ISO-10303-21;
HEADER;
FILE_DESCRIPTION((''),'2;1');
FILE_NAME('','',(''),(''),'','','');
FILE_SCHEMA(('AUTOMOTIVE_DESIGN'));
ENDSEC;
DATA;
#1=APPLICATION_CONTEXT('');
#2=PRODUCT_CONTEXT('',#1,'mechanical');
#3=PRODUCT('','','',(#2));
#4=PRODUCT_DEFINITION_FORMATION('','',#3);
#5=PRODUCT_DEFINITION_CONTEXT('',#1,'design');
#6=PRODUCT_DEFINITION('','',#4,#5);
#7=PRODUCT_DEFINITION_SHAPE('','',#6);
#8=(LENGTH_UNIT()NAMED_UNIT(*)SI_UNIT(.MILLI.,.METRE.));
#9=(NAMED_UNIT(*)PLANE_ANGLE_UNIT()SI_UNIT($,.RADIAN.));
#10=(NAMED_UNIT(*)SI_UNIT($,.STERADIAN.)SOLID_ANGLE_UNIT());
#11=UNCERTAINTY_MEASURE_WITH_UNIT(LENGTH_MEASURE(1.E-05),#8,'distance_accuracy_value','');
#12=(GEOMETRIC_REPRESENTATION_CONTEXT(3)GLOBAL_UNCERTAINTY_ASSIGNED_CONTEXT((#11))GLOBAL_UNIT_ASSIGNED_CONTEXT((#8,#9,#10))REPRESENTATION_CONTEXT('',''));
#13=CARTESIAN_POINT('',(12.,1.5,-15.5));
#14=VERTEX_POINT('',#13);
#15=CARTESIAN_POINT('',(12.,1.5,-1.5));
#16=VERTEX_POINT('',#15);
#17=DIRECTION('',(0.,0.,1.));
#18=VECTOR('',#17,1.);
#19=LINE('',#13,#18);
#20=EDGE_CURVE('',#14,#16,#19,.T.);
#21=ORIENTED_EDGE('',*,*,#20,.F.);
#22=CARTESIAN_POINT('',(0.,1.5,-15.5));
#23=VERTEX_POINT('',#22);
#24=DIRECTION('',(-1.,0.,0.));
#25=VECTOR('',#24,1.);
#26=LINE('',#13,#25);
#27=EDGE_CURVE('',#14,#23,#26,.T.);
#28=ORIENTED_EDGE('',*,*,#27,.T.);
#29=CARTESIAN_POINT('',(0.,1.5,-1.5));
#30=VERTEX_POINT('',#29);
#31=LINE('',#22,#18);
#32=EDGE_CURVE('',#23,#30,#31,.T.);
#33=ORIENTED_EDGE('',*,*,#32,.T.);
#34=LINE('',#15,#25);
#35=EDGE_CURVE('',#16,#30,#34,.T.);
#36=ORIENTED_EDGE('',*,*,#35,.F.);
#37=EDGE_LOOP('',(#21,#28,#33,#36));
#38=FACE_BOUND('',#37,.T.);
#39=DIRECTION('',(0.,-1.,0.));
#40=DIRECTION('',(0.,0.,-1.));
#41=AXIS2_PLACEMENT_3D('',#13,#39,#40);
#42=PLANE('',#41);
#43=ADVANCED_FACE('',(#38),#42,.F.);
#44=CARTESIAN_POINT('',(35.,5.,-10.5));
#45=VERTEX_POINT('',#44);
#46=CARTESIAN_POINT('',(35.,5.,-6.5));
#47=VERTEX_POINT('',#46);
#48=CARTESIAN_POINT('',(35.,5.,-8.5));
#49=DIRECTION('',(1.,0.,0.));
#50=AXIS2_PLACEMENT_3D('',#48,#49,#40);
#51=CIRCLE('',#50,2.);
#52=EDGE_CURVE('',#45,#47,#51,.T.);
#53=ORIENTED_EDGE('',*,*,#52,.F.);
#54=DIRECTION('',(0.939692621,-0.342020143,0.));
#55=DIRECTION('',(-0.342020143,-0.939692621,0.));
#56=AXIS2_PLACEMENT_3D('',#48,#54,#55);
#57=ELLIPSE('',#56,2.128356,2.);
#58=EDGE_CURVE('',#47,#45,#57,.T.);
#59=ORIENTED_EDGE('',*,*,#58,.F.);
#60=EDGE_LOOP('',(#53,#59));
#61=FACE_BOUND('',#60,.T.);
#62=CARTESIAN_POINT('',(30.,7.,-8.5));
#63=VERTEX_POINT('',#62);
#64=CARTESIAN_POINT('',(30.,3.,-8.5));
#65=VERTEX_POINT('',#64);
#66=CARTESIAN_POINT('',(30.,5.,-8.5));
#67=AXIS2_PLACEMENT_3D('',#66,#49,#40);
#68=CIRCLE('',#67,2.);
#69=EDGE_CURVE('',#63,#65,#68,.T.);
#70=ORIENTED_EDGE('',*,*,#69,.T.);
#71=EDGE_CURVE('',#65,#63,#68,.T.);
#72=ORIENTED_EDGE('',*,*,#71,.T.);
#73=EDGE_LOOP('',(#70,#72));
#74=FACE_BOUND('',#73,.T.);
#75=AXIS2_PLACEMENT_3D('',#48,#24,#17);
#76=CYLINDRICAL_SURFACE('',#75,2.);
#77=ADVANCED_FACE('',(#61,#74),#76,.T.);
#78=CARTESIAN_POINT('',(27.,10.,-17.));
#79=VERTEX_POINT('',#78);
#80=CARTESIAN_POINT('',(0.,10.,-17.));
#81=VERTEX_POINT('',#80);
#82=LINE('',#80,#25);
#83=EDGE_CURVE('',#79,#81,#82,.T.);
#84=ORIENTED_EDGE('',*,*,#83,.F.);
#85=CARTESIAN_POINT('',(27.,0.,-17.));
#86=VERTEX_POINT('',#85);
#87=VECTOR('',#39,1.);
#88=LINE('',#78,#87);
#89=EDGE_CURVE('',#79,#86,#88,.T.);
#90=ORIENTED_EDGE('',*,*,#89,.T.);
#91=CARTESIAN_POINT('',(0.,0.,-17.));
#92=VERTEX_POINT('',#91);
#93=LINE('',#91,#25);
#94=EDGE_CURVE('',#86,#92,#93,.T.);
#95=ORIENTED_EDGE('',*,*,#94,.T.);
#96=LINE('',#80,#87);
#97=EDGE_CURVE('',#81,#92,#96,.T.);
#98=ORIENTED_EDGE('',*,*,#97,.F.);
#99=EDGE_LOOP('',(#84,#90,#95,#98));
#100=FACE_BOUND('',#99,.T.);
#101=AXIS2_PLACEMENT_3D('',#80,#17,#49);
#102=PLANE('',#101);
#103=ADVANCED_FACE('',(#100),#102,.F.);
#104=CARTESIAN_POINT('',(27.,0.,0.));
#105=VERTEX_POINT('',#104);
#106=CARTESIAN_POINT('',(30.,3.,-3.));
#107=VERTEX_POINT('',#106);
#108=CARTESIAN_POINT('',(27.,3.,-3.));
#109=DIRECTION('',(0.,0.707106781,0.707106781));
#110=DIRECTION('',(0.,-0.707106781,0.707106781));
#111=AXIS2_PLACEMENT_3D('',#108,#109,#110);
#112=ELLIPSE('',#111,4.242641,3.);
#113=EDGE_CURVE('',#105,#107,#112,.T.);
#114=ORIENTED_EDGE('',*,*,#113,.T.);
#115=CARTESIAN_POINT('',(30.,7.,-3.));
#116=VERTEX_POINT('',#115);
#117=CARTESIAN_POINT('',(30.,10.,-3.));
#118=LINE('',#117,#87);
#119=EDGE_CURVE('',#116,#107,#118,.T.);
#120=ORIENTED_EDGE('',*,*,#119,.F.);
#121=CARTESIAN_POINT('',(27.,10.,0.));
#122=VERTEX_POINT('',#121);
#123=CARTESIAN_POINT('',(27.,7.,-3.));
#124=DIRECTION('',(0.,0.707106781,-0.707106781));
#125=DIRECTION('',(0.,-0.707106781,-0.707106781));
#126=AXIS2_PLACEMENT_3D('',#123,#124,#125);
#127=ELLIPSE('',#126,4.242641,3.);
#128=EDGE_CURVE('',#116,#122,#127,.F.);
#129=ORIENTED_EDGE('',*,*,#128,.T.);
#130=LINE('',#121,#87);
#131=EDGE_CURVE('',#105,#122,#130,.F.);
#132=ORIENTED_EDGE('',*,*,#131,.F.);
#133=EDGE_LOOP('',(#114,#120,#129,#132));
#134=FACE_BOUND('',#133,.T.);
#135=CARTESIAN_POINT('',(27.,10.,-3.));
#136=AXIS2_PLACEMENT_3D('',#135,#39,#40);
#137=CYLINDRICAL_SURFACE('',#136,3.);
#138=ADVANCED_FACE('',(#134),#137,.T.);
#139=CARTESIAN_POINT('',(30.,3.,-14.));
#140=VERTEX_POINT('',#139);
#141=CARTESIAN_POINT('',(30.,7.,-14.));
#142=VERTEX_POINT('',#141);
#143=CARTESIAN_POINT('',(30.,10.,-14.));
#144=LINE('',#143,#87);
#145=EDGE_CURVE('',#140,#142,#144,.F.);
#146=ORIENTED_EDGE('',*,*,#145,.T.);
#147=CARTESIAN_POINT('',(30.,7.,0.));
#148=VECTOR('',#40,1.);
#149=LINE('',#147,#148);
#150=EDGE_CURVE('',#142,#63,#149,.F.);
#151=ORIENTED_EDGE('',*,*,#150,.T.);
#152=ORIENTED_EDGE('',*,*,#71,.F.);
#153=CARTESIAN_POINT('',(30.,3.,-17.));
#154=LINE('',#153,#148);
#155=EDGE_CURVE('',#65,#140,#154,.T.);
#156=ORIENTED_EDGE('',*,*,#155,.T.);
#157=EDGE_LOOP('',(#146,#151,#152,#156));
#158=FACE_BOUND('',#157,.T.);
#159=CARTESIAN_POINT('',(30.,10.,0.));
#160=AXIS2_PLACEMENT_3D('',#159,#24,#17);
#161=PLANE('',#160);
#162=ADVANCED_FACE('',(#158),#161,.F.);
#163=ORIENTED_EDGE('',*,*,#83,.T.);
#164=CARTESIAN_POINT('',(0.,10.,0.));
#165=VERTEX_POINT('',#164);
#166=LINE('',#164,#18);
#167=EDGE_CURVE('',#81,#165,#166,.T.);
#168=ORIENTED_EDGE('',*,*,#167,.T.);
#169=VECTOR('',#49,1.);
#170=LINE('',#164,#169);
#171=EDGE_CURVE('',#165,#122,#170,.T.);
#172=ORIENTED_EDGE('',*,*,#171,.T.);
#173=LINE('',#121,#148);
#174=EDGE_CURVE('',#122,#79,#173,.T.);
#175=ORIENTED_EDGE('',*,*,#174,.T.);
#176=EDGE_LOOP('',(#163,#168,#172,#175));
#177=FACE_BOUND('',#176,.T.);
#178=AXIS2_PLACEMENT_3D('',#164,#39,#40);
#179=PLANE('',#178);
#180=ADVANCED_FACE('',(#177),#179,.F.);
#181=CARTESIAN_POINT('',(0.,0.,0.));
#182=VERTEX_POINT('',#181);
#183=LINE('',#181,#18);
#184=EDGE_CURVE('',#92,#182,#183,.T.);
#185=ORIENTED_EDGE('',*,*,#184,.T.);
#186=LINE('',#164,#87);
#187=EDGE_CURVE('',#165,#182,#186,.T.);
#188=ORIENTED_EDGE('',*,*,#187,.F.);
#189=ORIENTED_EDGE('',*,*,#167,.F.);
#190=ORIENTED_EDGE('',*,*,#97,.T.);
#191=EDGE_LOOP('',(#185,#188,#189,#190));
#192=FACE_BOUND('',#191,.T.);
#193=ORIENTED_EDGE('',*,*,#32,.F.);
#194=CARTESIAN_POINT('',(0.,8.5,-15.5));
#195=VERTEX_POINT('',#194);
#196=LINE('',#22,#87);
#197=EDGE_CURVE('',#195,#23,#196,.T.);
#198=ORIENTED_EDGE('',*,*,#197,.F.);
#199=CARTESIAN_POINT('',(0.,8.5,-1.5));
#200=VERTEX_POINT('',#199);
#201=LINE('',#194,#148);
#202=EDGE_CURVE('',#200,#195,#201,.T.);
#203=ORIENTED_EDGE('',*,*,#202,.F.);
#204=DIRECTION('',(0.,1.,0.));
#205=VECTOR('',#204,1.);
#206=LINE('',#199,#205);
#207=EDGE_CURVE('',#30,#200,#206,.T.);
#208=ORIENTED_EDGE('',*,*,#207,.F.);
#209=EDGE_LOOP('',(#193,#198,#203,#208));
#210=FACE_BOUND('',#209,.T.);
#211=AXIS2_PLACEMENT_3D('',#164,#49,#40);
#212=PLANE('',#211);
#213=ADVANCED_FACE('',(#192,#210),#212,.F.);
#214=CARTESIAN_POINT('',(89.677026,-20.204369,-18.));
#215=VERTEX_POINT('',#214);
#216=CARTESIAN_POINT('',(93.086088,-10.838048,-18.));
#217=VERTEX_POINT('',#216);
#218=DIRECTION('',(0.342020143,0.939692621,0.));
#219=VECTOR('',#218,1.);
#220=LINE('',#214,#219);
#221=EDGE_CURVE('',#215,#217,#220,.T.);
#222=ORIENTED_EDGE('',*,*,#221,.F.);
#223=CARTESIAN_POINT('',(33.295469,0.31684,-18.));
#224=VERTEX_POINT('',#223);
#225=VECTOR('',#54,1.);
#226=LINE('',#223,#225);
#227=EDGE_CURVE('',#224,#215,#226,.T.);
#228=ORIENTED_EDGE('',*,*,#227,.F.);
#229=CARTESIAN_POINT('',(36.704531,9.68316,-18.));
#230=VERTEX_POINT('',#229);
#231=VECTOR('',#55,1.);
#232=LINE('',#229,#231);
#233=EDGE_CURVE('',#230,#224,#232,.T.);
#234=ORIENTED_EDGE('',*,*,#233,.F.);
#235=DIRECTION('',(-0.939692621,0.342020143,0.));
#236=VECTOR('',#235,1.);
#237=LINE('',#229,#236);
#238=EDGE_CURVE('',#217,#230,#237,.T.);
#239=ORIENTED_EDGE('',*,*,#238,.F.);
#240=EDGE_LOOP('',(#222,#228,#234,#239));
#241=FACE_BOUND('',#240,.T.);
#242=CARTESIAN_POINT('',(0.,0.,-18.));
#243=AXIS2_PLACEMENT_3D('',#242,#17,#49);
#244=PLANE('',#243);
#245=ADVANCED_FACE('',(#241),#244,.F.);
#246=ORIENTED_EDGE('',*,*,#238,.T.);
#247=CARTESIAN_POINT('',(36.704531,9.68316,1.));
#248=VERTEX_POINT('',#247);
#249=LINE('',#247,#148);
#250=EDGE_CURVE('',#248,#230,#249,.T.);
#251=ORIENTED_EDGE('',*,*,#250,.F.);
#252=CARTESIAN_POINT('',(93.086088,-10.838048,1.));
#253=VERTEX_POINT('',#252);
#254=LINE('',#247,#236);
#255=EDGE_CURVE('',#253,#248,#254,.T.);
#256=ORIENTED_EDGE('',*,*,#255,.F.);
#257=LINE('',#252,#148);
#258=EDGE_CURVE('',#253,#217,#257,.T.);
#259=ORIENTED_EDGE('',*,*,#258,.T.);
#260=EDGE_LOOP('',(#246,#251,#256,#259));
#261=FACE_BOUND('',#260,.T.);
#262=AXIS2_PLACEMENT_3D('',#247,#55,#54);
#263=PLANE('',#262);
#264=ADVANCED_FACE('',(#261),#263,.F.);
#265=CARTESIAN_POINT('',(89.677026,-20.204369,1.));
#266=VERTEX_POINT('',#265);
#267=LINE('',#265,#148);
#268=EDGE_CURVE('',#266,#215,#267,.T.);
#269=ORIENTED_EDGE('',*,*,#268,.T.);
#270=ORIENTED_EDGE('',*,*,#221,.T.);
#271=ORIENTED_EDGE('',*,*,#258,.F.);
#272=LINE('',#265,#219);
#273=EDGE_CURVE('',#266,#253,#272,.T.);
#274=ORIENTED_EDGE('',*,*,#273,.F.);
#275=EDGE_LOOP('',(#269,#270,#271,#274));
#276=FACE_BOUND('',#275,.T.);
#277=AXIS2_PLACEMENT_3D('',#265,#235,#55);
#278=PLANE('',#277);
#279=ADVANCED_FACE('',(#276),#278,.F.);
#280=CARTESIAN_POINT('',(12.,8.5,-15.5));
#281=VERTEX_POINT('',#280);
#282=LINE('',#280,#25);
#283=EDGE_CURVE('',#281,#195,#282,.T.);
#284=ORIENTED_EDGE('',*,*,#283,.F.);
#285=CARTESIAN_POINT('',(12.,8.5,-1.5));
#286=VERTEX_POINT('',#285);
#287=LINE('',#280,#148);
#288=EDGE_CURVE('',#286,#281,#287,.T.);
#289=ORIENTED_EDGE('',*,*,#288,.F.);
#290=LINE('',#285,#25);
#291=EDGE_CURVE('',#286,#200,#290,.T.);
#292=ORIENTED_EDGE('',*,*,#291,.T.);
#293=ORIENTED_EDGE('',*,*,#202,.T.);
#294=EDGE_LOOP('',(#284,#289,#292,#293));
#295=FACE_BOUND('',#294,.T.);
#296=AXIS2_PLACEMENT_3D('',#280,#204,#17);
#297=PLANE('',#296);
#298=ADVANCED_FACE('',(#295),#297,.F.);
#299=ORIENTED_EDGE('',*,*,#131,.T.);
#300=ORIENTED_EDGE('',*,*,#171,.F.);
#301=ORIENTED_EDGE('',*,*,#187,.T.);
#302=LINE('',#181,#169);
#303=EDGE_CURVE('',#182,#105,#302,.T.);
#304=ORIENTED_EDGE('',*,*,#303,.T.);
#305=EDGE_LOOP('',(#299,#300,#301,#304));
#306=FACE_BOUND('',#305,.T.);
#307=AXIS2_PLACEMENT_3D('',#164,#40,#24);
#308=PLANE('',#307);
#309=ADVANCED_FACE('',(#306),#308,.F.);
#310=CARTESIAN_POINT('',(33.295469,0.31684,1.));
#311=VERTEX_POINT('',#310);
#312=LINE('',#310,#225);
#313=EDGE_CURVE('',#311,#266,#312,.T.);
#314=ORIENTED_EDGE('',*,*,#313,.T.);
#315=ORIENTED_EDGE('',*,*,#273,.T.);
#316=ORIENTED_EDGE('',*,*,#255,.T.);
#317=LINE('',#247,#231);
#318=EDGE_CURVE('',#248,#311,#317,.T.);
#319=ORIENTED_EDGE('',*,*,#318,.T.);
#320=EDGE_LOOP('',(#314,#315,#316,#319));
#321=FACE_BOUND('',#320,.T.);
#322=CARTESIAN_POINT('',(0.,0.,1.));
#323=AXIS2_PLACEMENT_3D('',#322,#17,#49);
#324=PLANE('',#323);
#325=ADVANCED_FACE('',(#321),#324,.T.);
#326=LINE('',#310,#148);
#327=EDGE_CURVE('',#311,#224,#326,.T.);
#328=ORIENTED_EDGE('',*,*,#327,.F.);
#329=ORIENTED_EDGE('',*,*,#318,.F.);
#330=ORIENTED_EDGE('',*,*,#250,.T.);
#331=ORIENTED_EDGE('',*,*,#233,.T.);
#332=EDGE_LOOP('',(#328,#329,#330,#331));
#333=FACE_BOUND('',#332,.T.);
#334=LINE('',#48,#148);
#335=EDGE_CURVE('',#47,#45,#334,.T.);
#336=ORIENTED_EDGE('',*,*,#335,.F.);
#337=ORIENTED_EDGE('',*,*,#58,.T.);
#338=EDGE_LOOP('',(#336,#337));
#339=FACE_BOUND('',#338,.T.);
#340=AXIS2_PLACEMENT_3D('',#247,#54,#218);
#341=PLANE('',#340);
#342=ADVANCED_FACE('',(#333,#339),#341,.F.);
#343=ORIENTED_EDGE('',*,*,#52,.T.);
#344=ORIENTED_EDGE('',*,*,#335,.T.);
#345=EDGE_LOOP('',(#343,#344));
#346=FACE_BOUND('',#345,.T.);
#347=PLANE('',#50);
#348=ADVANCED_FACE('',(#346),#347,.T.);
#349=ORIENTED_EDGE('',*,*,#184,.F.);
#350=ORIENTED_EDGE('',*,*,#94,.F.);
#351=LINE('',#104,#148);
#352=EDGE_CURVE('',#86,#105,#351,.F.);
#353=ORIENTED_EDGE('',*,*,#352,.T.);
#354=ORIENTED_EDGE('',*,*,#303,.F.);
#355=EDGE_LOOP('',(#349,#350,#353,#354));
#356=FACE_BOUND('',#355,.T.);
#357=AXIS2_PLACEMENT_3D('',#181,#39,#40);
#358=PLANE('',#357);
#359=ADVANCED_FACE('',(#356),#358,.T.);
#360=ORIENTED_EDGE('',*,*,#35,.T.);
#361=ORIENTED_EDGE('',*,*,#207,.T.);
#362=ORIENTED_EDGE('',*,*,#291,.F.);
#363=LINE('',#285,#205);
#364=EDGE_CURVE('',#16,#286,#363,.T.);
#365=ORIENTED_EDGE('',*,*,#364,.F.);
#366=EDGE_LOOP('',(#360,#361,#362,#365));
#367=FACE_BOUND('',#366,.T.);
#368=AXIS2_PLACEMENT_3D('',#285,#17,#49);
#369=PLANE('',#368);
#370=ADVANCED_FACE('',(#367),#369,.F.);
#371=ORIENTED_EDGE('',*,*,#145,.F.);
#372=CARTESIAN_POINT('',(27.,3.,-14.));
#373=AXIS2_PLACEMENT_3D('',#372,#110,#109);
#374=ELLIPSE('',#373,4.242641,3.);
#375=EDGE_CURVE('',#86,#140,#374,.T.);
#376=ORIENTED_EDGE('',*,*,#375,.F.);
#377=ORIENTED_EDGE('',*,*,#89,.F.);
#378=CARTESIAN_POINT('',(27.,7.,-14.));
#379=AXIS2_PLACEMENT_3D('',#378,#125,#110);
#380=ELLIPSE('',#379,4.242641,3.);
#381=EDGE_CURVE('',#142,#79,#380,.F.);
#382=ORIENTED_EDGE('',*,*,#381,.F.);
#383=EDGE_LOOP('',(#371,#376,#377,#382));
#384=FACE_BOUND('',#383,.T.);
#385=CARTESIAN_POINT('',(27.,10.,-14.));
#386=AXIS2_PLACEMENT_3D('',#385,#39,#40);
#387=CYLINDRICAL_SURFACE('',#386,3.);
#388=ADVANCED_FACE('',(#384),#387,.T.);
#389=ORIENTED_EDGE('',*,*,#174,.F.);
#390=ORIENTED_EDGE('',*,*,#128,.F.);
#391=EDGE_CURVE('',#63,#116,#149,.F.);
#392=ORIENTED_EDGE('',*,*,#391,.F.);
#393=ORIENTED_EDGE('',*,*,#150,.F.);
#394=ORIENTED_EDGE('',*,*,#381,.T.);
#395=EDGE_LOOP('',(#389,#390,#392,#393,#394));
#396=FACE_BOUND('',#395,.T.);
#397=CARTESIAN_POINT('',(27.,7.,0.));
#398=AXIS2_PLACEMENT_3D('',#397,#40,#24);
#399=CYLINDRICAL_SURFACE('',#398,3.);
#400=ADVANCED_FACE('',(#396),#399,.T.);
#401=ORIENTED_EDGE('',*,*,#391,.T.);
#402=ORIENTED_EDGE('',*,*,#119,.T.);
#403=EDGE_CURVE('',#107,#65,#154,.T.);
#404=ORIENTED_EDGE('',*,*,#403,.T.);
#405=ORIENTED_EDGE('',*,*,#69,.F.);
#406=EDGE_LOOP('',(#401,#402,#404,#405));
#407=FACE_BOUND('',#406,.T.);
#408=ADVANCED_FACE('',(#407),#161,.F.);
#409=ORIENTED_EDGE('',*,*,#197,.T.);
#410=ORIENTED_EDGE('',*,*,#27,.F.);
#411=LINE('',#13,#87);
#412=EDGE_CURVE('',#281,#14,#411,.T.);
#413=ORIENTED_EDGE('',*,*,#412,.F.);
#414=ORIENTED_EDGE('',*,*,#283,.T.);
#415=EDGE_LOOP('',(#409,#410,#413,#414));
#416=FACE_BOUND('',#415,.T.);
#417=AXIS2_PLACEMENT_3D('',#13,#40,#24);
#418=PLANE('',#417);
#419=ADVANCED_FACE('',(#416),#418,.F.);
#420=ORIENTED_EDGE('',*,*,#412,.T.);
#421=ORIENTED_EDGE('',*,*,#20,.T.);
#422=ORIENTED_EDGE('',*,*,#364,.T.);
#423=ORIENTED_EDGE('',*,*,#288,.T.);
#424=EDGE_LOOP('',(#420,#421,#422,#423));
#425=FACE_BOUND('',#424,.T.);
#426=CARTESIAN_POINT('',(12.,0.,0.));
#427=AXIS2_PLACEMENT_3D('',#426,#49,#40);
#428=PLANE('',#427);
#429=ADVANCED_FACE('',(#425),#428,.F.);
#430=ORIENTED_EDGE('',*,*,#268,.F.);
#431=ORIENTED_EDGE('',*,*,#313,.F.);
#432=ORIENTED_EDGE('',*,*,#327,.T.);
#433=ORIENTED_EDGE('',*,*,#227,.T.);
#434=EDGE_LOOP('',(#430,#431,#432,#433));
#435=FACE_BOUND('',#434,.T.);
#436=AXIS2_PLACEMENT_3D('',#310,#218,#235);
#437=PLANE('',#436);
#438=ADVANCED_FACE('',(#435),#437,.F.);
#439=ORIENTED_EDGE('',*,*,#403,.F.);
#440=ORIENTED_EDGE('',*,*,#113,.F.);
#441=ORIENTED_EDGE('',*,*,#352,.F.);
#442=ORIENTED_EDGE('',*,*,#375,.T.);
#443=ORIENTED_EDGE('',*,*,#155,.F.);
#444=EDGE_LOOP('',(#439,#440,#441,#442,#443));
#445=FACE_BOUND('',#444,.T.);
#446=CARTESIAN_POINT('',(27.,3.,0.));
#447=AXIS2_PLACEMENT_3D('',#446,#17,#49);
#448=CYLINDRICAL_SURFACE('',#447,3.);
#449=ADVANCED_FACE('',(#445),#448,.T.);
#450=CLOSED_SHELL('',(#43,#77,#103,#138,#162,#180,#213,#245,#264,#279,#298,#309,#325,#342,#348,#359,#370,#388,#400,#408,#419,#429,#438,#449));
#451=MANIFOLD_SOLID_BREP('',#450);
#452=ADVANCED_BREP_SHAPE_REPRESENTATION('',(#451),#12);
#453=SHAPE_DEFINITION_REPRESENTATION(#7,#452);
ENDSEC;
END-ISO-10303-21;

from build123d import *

# Parameters (mm, degrees)
SKETCH_1_W           = 30
SKETCH_1_H           = 17
EXTRUDE_1_DEPTH      = 10
SKETCH_2_W           = 14
SKETCH_2_H           = 7
CUT_EXTRUDE_1_DEPTH  = 12
FILLET_1_R           = 3
SKETCH_4_R           = 2
EXTRUDE_2_DEPTH      = 5
EXTRUDE_3_DEPTH      = 1
EXTRUDE_3_DEPTH_BACK = 18


with BuildPart() as part:
    # 草图1 → 凸台-拉伸1 (new body)
    with BuildSketch(Plane(origin=(0, 0, 0), x_dir=(1, 0, 0), z_dir=(0, 1, 0))):
        with Locations((15, 8.5)):
            Rectangle(SKETCH_1_W, SKETCH_1_H)
    extrude(amount=EXTRUDE_1_DEPTH)

    # 草图2 → 切除-拉伸1 (cut)
    with BuildSketch(Plane.ZY):
        with Locations((-8.5, 5)):
            Rectangle(SKETCH_2_W, SKETCH_2_H)
    extrude(amount=-CUT_EXTRUDE_1_DEPTH, mode=Mode.SUBTRACT)

    # 圆角1
    fillet_1_edges = [part.edges().sort_by_distance(p)[0] for p in [
        (30, 10, -8.5),
        (30, 0, -8.5),
        (30, 5, -17),
        (30, 5, 0),
    ]]
    fillet(fillet_1_edges, radius=FILLET_1_R)

    # 草图4 → 凸台-拉伸2 (add)
    with BuildSketch(Plane(origin=(30, 0, 0), x_dir=(0, 0, -1), z_dir=(1, 0, 0))):
        with Locations(Location((8.5, 5, 0), (0, 0, 270))):
            Circle(SKETCH_4_R)
    extrude(amount=EXTRUDE_2_DEPTH)

    # 草图5 → 凸台-拉伸3 (add, two sides: drawn at the far end of the back side and taken through both)
    with BuildSketch(Plane.XY.offset(-EXTRUDE_3_DEPTH_BACK)):
        Polygon((36.704530888, 9.683160127), (33.295469112, 0.316839873), (89.677026359, -20.204368726), (93.086088136, -10.838048473), align=None)
    extrude(amount=EXTRUDE_3_DEPTH + EXTRUDE_3_DEPTH_BACK)


solid = part.part
